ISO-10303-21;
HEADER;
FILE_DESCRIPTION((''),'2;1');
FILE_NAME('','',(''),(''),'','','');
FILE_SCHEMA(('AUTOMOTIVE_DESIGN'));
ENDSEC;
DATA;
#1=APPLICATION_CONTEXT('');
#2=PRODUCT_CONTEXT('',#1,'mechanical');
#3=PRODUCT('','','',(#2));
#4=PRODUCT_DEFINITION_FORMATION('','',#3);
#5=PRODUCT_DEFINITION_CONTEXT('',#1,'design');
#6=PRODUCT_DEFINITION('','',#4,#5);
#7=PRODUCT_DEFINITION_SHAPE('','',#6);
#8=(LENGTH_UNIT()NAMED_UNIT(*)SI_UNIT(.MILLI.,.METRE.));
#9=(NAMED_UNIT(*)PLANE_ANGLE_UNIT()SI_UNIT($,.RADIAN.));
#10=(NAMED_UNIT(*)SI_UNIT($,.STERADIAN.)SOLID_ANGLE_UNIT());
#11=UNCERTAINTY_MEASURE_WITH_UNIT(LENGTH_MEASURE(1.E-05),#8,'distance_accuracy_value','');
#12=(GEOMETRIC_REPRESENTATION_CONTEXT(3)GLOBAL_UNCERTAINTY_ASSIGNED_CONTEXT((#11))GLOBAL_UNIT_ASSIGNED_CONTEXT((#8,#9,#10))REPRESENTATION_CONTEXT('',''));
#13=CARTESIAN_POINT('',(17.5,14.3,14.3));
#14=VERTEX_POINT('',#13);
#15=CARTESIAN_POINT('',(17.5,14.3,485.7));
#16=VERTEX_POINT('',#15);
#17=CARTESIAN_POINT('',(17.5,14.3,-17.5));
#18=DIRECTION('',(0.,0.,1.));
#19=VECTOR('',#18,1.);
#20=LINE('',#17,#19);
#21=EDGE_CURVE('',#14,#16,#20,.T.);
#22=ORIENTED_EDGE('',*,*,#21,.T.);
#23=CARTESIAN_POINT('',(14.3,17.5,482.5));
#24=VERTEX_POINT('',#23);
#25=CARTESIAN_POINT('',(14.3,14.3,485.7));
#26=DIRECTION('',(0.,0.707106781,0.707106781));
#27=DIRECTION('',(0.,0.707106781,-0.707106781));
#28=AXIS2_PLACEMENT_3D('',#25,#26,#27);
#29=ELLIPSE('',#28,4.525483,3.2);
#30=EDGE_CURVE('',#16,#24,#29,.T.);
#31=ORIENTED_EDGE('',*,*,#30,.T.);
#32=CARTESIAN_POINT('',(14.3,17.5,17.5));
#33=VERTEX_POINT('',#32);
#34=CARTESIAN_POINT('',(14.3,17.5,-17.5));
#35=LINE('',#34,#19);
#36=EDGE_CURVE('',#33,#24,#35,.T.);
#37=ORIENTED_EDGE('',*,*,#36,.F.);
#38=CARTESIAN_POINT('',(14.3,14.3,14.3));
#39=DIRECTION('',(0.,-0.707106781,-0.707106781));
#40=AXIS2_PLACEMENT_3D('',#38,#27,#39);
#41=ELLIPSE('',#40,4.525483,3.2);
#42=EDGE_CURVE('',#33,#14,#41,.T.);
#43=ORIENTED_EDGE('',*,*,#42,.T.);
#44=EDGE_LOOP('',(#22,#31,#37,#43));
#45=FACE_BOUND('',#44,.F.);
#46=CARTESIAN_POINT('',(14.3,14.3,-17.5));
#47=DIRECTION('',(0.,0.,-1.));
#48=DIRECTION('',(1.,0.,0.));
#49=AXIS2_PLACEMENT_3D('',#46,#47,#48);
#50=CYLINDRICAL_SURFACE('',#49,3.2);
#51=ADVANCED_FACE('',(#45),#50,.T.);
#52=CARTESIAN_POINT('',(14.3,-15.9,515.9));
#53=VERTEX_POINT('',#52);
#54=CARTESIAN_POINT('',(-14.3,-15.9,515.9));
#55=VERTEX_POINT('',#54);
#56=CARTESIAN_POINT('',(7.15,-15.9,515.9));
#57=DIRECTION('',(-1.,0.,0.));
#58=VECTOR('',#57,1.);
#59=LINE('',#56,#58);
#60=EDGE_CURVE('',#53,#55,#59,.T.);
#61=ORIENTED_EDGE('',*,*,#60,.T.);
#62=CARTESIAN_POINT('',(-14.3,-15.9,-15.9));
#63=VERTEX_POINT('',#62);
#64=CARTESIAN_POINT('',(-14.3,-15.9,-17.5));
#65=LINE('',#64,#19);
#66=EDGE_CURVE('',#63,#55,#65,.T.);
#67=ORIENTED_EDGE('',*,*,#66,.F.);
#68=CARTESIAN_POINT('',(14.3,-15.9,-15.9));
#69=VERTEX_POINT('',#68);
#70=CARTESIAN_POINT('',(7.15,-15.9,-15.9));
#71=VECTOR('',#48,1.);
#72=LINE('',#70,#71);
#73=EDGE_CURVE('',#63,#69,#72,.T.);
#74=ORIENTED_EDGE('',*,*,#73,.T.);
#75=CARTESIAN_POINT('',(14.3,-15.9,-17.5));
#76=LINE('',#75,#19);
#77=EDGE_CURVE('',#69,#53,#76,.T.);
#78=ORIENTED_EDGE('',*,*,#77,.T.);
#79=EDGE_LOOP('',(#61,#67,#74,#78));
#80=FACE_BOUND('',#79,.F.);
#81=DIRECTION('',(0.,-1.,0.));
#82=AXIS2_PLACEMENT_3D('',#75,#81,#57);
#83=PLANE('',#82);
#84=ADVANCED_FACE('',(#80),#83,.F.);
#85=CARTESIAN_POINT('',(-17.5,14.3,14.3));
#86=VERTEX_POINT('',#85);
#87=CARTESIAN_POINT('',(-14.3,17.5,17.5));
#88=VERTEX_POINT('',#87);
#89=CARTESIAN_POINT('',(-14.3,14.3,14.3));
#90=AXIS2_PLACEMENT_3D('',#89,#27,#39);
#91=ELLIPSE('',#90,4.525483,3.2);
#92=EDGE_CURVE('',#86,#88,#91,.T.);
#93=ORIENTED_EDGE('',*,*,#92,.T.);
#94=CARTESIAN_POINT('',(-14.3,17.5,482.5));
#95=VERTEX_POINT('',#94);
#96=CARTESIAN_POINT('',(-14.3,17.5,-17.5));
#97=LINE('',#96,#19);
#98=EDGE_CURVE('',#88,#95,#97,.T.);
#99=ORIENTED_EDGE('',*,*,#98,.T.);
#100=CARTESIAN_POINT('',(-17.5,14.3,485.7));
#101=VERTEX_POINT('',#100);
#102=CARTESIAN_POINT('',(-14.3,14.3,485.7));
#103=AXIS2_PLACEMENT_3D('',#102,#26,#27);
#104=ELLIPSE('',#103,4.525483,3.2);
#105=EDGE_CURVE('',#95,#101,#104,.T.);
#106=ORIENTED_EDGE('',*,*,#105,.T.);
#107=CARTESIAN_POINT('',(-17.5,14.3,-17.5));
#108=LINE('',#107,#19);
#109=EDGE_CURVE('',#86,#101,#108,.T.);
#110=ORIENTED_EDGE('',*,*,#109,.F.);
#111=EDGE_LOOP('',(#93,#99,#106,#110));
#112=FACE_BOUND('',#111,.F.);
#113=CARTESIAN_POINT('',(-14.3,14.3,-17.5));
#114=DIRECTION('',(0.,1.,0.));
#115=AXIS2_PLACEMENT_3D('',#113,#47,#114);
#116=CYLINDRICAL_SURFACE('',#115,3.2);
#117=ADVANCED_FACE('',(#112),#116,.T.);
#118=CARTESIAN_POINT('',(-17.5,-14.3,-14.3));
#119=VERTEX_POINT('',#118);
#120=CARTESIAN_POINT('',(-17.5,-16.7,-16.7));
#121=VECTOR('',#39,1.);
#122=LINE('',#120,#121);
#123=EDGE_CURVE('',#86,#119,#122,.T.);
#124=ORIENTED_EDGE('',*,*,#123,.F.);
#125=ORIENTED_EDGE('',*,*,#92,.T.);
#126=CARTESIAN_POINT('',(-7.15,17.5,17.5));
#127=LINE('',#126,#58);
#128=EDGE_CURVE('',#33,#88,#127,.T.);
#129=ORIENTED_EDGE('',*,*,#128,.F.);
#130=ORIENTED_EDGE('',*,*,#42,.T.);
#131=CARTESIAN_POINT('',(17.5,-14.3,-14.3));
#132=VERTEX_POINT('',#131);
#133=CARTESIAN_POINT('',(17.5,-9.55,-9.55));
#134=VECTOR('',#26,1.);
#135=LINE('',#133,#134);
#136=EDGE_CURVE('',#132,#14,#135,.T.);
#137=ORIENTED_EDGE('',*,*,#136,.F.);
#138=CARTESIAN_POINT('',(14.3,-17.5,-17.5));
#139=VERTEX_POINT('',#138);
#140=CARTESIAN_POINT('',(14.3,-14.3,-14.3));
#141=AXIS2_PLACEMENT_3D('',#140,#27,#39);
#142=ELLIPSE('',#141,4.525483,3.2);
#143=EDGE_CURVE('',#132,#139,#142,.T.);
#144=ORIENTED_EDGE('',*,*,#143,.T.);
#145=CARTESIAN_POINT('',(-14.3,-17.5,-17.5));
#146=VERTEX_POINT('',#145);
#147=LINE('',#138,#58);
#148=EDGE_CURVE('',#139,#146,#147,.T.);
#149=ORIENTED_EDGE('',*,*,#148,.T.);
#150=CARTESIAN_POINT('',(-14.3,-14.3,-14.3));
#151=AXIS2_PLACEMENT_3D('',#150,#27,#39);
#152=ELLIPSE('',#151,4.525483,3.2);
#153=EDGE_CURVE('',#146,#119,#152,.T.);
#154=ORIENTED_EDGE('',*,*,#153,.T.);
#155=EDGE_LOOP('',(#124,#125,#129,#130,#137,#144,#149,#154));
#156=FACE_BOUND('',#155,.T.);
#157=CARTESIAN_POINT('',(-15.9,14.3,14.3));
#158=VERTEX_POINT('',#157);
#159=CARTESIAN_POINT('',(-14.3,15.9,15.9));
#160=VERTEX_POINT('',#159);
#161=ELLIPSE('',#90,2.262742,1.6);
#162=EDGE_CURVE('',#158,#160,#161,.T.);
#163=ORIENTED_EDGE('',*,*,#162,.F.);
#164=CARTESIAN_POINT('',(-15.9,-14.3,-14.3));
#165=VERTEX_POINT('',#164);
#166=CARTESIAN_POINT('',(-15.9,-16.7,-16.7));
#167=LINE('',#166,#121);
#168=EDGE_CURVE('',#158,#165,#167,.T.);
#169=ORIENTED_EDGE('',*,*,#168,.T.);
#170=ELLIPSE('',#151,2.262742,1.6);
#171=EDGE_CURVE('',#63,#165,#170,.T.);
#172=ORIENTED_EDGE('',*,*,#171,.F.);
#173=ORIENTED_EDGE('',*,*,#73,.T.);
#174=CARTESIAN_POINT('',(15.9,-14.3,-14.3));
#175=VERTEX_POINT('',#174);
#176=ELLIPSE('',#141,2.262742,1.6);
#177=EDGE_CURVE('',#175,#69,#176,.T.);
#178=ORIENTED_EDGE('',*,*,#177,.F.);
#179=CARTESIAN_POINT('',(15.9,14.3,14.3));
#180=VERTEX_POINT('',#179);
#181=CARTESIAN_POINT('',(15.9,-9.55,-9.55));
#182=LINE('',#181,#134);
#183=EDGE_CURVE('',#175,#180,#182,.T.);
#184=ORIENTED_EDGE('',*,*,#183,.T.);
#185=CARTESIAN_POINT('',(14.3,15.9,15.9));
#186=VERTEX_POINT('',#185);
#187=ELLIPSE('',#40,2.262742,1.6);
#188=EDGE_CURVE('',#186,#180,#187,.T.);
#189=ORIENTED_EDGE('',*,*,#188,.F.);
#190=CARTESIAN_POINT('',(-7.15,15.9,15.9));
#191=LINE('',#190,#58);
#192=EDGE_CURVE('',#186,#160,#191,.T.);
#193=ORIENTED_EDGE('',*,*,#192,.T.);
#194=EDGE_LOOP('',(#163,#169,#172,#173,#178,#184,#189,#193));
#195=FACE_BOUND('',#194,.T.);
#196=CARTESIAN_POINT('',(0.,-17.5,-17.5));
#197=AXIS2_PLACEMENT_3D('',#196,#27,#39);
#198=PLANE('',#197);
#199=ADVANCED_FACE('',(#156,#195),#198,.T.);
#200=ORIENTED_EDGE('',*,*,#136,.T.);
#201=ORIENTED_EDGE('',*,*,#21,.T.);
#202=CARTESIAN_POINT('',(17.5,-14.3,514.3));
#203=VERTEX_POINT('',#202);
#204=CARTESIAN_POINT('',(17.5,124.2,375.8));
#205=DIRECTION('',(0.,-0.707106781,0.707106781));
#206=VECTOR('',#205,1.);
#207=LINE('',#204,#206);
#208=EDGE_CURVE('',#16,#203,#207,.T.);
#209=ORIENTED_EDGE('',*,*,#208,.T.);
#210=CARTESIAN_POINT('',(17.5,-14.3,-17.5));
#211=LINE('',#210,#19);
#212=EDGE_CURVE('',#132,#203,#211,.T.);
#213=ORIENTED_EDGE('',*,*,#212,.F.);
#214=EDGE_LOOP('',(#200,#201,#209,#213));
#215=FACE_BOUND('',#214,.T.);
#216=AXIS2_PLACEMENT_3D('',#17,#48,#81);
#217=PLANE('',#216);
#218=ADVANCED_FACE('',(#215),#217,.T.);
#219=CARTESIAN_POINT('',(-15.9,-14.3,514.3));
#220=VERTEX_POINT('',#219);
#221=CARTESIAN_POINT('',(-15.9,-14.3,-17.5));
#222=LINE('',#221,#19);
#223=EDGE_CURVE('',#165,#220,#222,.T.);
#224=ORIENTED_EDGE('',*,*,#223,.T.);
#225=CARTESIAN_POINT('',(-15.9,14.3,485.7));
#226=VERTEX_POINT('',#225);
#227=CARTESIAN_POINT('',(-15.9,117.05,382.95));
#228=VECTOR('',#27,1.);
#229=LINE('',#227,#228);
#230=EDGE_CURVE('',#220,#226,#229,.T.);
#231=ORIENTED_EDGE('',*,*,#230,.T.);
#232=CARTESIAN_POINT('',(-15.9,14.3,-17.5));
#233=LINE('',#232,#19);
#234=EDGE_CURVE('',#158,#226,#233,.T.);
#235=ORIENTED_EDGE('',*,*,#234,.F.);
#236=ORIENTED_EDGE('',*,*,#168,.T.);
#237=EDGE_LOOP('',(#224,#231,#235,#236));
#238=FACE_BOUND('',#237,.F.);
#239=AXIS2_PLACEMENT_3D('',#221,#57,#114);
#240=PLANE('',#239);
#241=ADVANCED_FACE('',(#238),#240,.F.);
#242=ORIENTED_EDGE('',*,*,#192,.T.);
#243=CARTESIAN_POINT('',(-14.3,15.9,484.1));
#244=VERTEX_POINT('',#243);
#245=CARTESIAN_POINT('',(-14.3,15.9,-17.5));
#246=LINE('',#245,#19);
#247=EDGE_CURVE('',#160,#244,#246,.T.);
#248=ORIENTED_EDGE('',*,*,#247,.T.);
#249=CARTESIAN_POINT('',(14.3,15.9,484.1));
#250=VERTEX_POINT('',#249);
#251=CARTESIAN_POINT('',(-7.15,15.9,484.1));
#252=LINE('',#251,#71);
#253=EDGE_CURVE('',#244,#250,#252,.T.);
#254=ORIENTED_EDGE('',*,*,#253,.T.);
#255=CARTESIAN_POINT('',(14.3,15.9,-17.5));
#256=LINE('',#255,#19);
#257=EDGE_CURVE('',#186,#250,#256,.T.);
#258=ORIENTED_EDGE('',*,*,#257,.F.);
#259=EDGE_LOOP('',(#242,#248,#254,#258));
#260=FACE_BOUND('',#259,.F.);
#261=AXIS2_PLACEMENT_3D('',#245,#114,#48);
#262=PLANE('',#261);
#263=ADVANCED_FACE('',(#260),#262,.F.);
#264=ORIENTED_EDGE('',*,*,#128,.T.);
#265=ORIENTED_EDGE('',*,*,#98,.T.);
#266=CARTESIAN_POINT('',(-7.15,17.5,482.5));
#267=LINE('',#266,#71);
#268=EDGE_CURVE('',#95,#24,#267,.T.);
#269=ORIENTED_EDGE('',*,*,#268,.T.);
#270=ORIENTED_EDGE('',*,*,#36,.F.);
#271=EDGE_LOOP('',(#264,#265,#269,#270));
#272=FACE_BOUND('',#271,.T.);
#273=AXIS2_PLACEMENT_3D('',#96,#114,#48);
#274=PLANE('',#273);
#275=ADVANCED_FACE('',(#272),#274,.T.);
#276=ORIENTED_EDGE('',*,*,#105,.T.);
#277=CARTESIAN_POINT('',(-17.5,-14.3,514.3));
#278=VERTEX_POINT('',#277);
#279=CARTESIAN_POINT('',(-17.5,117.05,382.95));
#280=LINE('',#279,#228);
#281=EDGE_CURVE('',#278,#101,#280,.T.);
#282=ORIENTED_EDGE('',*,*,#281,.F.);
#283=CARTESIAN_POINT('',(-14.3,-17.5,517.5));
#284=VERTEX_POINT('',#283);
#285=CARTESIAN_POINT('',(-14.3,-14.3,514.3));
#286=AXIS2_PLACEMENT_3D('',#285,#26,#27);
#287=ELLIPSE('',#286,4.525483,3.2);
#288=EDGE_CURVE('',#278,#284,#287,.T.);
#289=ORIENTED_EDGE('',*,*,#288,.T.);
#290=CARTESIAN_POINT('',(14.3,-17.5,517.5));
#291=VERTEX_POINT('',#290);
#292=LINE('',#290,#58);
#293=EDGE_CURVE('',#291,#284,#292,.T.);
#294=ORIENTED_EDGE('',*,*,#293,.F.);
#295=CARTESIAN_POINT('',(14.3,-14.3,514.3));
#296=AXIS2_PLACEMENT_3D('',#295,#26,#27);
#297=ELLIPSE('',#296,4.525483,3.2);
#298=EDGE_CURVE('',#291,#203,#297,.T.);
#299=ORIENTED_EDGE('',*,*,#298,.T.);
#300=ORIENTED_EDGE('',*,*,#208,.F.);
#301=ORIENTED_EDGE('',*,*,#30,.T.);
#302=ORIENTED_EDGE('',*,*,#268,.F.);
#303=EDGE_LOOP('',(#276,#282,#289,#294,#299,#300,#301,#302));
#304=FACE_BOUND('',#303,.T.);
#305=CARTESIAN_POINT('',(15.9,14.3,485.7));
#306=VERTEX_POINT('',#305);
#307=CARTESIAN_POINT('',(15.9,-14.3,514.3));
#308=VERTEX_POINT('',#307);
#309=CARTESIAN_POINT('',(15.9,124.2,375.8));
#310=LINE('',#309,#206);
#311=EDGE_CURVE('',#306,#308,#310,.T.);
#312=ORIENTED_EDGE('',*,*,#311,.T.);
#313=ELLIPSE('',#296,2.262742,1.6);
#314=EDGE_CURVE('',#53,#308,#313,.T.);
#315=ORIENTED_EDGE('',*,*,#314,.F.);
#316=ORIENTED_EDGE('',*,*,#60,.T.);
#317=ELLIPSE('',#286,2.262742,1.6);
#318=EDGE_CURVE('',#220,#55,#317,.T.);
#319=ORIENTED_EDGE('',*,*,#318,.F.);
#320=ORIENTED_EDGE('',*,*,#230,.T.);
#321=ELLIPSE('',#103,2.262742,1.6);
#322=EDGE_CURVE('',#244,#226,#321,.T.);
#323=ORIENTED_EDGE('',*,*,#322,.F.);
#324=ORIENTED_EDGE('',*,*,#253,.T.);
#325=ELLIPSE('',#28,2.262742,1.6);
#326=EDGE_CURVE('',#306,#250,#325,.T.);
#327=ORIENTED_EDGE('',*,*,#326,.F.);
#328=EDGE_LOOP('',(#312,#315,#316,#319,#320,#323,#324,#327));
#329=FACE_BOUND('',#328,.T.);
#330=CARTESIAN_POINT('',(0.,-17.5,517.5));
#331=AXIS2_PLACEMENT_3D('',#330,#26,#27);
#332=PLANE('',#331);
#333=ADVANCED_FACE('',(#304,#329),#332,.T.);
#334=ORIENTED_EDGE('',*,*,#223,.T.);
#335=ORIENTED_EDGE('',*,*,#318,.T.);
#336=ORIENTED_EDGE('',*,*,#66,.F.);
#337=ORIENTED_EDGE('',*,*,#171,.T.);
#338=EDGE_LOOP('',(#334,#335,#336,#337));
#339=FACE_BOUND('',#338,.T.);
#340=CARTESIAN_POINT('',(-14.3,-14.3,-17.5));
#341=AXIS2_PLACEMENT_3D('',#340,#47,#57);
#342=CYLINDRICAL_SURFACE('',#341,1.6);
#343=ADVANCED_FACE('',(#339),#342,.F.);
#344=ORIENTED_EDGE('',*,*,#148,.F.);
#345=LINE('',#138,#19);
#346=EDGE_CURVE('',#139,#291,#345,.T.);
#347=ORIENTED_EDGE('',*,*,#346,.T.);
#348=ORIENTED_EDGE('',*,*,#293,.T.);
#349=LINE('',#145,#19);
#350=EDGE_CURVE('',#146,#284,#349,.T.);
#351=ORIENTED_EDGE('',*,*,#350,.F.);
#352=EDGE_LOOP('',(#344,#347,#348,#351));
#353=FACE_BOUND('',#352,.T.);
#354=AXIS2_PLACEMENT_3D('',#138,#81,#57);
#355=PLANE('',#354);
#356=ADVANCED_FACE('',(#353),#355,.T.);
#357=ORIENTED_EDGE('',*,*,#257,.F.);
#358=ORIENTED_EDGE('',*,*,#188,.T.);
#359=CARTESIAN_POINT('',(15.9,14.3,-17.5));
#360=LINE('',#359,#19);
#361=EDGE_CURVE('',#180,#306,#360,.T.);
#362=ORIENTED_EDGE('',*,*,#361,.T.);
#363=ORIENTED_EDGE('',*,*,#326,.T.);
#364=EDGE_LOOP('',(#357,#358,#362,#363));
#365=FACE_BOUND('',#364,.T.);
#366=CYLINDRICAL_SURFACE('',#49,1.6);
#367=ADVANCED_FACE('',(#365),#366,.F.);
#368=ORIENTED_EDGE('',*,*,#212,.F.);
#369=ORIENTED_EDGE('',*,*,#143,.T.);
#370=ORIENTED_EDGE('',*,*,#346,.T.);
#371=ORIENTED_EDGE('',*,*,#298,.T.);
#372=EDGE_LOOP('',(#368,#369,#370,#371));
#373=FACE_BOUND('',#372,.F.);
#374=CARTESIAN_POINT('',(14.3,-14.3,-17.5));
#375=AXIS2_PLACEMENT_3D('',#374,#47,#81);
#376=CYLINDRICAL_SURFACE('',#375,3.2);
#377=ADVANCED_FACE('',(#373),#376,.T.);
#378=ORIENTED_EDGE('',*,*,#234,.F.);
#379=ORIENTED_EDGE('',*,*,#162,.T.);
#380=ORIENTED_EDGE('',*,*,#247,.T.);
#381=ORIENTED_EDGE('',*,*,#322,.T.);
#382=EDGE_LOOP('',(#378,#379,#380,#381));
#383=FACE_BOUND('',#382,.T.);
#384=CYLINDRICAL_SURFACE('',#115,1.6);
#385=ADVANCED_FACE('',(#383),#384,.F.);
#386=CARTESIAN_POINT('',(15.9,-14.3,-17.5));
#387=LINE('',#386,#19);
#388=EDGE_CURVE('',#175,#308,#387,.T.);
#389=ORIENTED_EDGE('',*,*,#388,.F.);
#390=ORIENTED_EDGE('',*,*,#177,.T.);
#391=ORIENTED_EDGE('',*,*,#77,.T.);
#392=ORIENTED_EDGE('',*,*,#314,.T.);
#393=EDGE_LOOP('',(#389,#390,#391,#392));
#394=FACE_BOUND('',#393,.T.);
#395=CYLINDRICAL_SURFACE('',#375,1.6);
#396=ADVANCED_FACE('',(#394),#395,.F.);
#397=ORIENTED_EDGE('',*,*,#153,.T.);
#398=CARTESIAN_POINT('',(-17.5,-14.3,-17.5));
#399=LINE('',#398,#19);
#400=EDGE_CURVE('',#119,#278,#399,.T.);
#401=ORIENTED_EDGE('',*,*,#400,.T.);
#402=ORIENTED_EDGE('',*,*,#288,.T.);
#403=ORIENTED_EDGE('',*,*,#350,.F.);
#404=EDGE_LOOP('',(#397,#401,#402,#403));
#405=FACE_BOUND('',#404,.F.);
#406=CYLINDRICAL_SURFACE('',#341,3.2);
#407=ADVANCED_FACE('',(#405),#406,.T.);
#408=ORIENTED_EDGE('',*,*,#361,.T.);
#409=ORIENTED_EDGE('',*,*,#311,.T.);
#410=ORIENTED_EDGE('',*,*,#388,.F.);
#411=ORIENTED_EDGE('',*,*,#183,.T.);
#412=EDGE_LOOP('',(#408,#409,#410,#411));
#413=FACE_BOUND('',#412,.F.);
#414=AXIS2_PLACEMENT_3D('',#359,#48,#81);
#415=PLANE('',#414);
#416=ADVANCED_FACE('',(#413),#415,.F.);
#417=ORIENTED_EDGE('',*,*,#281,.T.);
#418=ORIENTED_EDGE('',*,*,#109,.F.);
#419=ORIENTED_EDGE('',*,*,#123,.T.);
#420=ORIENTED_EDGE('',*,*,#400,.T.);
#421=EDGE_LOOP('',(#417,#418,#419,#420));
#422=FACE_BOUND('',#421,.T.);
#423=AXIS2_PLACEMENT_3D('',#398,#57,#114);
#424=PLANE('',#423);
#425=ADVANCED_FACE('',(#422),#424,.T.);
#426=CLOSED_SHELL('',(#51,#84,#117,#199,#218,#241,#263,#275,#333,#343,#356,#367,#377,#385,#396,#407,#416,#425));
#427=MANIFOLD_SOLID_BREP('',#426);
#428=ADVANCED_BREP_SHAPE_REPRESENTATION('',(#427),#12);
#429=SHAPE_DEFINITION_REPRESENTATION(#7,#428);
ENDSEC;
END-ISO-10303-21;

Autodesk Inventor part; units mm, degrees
ref_plane "Start plane" through (0, 0, -17.5) normal (0, 0, 1) x (1, 0, 0)
ref_plane "End plane" through (0, 0, 517.5) normal (0, 0, 1) x (1, 0, 0)
sketch "Sketch" plane through (0, 0, 0) normal (0, 0, 1) x (1, 0, 0)
  line L0 (-17.5, -14.3) -> (-17.5, 14.3)
  line L1 (-14.3, 17.5) -> (14.3, 17.5)
  line L2 (17.5, 14.3) -> (17.5, -14.3)
  line L3 (14.3, -17.5) -> (-14.3, -17.5)
  arc A0 (-17.5, -14.3) -> (-14.3, -17.5) centre (-14.3, -14.3) ccw
  arc A1 (-14.3, 17.5) -> (-17.5, 14.3) centre (-14.3, 14.3) ccw
  arc A2 (17.5, 14.3) -> (14.3, 17.5) centre (14.3, 14.3) ccw
  arc A3 (14.3, -17.5) -> (17.5, -14.3) centre (14.3, -14.3) ccw
  arc A4 (-14.3, 15.9) -> (-15.9, 14.3) centre (-14.3, 14.3) ccw
  line L4 (-14.3, 15.9) -> (14.3, 15.9)
  arc A5 (15.9, 14.3) -> (14.3, 15.9) centre (14.3, 14.3) ccw
  line L5 (15.9, 14.3) -> (15.9, -14.3)
  arc A6 (14.3, -15.9) -> (15.9, -14.3) centre (14.3, -14.3) ccw
  line L6 (14.3, -15.9) -> (-14.3, -15.9)
  arc A7 (-15.9, -14.3) -> (-14.3, -15.9) centre (-14.3, -14.3) ccw
  line L7 (-15.9, -14.3) -> (-15.9, 14.3)
  line L8 (0, 25.4278) -> (0, -25.4278) construction
  line L9 (-25.4278, 0) -> (25.4278, 0) construction
  dimension "d7" = 3.2
  dimension "d10" = 35
  dimension "d11" = 35
  dimension "d12" = 1.6
  dimension "d15" = 17.5
  dimension "d16" = 17.5
extrude "Body" add sketch "Sketch" along normal up to surface (535 mm away) from surface at -17.5
sketch "Sketch3" plane through (0, 0, 0) normal (0, 0, 1) x (1, 0, 0)
  line L0 (0, 0) -> (10, 0)
ref_plane "Work Plane3" through (0, 0, 0) normal (0, -1, 0) x (1, 0, 0)
sketch "Sketch4" plane through (0, 0, 0) normal (0, -1, 0) x (1, 0, 0)
  line L0 (-2, -17.5) -> (12, -17.5)
  line L1 (-2, 517.5) -> (12, 517.5)
  dimension "d18" = 535
ref_plane "Work Plane13" through (0, -17.5, 517.5) normal (0, 0.7071, 0.7071) x (1, 0, 0)
split "Split4" plane through (0, -17.5, 517.5) removes the side toward (0, 0.7071, 0.7071)
ref_plane "Work Plane14" through (0, -17.5, -17.5) normal (0, 0.7071, -0.7071) x (1, 0, 0)
split "Split5" plane through (0, -17.5, -17.5) removes the side toward (0, 0.7071, -0.7071)
equation "\"d7\" = G_IR"
equation "\"d10\" = G_H"
equation "\"d11\" = G_W"
equation "\"d12\" = G_T"
equation "\"d15\" = 0.5 * d10"
equation "\"d16\" = 0.5 * d11"
equation "\"d3\" = G_L"
equation "\"G_W\" = 35"
equation "\"G_H\" = 35"
equation "\"G_T\" = 1.6"
equation "\"G_IR\" = 3.2"
equation "\"G_L\" = d18"
equation "\"G_OFFSET_START\" = 17.5"
equation "\"G_OFFSET_END\" = 17.5"
equation "\"d13\" = -G_OFFSET_START"
equation "\"d14\" = G_OFFSET_END + B_L"
equation "\"B_L\" = 500"
properties part number "AS 1163 - C350L0 35x35x1.6 SHS - 535" material "Steel, Mild"
